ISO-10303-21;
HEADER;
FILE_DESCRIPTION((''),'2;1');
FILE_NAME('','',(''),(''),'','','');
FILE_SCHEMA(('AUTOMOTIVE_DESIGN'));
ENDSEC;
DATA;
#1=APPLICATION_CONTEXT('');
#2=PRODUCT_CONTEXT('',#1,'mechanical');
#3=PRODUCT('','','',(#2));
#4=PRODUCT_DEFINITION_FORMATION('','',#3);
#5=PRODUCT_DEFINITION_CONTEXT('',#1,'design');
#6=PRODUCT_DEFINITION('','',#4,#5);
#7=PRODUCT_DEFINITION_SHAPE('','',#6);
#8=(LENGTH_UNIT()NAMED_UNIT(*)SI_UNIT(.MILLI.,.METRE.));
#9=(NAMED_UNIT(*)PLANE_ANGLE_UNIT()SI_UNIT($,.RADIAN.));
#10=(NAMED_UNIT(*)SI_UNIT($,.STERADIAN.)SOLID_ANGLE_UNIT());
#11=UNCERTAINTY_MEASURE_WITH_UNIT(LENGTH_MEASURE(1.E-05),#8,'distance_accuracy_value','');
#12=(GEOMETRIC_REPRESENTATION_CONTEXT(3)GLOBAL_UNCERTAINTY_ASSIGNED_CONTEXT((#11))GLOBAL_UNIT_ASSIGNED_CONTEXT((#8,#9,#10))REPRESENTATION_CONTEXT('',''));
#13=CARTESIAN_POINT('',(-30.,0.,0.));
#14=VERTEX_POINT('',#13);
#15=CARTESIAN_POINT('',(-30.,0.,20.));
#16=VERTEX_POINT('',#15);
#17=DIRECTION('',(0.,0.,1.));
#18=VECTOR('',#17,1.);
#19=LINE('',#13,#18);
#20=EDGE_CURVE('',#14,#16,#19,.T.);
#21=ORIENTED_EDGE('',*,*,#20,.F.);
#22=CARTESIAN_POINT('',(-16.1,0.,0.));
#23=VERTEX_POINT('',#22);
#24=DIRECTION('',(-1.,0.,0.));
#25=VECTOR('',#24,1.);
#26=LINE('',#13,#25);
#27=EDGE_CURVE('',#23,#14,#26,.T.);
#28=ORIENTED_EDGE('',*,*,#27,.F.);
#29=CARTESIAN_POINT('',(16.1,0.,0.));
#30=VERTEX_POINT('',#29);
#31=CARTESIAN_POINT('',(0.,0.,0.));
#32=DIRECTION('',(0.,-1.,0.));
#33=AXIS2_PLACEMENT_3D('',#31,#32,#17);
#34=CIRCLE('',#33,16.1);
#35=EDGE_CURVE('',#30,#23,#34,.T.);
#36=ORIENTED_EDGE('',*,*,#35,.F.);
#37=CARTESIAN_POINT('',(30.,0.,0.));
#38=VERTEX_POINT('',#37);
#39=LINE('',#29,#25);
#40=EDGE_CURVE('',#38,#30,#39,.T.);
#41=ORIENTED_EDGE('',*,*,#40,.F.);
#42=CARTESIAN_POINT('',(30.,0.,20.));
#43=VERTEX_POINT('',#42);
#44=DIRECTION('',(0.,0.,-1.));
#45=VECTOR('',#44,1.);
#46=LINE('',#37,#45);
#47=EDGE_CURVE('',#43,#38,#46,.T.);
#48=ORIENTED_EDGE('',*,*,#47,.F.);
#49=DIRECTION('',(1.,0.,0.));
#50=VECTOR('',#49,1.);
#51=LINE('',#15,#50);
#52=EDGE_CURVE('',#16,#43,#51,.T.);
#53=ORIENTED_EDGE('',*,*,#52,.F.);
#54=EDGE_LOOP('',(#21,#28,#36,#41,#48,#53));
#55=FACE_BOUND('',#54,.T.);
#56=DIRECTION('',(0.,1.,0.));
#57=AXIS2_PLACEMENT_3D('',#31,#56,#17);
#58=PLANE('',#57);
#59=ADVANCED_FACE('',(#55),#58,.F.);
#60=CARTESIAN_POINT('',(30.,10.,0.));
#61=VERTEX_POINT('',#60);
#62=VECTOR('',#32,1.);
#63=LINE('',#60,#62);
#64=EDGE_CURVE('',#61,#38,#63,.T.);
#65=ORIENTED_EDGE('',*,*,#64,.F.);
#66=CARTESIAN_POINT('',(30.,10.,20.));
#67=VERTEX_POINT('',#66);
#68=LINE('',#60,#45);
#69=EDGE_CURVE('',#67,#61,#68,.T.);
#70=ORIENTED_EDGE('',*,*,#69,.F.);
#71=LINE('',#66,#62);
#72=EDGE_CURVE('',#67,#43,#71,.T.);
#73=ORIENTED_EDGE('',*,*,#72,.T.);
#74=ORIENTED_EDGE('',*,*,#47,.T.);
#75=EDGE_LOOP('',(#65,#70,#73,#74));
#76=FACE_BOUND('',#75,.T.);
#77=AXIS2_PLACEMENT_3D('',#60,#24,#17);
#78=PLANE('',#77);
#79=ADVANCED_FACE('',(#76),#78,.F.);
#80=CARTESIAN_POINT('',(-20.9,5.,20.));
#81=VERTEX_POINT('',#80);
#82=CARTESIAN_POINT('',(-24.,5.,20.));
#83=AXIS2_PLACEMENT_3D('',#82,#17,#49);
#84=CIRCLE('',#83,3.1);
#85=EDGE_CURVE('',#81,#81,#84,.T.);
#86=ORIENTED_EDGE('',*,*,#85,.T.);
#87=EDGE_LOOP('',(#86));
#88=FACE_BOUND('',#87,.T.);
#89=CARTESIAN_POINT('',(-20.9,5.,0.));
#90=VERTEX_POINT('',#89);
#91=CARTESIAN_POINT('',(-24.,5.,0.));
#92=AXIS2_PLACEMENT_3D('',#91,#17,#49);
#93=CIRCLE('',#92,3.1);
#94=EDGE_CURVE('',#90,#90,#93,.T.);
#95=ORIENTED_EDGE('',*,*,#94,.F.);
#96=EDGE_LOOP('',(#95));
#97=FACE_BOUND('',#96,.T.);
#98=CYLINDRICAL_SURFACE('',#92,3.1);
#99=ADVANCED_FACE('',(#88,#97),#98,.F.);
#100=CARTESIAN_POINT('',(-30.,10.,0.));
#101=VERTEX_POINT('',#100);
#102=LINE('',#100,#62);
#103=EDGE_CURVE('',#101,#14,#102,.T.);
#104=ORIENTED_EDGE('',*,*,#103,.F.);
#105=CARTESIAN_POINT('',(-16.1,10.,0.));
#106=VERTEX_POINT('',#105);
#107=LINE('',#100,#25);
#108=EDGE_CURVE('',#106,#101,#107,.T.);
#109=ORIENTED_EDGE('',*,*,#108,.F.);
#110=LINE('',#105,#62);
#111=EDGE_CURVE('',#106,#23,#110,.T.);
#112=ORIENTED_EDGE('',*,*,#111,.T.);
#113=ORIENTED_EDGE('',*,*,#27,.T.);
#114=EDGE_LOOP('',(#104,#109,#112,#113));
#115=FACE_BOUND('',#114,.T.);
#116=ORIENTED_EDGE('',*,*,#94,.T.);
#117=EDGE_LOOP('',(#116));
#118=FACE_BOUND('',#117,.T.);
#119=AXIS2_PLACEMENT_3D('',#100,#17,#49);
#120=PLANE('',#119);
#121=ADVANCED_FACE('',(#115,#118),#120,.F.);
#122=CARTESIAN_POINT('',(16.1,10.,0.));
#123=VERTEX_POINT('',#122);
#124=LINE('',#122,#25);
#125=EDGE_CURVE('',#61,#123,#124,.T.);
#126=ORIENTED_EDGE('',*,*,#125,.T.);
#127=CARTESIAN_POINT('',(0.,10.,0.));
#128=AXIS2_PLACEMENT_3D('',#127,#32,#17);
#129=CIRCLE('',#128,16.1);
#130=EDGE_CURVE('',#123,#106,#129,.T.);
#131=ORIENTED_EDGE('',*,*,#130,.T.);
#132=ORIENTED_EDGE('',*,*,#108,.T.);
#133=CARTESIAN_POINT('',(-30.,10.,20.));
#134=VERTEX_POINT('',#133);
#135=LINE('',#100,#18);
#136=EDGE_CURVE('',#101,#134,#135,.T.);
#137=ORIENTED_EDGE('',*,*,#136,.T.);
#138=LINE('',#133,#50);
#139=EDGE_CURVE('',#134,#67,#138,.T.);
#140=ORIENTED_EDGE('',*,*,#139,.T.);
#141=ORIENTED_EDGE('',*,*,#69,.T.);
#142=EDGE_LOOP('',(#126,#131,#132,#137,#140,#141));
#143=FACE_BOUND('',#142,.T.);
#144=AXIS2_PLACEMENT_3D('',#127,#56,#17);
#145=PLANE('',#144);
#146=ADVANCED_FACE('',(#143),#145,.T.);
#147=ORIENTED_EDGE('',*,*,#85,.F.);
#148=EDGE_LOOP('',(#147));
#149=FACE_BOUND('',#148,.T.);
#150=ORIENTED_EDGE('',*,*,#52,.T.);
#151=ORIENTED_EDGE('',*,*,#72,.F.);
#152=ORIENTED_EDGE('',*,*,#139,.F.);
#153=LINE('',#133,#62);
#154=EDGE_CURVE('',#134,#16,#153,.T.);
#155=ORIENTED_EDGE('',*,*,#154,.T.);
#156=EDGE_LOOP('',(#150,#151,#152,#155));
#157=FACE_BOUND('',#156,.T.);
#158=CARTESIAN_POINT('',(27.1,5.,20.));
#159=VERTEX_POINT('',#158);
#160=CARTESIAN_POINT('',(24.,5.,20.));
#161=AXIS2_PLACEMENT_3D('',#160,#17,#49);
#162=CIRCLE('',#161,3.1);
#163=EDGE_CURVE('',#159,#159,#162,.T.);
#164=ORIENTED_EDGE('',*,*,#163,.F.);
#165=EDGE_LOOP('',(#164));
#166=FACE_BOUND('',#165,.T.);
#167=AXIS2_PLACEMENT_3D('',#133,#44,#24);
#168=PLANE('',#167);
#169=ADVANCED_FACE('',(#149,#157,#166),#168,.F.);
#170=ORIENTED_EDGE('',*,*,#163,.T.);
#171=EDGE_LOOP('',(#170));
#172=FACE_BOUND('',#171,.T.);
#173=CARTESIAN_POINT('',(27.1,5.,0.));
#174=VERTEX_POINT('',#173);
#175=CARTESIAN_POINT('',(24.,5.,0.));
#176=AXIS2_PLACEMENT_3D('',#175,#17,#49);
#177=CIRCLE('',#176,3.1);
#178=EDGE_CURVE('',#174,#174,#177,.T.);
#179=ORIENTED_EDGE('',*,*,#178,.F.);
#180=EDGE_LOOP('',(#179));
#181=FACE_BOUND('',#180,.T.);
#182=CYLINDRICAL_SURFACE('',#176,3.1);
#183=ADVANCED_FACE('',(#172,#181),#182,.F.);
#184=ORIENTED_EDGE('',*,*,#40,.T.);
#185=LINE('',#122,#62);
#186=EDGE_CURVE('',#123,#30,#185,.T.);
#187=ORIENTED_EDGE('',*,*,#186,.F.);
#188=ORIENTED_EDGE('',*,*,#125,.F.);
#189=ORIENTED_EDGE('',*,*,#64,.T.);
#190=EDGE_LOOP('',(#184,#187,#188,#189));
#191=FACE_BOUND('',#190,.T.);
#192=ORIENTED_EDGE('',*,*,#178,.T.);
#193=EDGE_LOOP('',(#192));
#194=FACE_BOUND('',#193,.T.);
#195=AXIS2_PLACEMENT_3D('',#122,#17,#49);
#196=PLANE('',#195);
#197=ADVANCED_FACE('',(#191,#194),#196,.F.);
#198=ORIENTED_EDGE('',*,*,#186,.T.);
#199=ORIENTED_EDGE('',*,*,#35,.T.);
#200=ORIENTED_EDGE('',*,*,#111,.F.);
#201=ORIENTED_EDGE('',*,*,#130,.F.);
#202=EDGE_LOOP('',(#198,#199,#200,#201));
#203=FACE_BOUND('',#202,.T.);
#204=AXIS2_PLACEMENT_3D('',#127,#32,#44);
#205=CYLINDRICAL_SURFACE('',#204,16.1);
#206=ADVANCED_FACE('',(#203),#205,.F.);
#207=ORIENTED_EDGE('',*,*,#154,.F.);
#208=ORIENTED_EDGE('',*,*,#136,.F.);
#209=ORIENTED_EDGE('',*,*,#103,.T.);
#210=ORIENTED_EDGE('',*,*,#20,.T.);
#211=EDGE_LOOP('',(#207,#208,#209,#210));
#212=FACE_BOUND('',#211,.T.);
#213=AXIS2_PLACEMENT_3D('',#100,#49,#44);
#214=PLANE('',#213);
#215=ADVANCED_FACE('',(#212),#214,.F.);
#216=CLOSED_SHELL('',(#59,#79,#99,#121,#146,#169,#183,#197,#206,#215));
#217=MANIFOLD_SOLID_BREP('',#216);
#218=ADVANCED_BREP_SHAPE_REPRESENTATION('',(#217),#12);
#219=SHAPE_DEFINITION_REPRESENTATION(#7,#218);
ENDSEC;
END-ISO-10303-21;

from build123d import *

# Parameters (mm, degrees)
BOSS_EXTRUDE1_DEPTH = 10
SKETCH2_R           = 3.1
CUT_EXTRUDE1_DEPTH  = 38.416573868


with BuildPart() as part:
    # Sketch1 → Boss-Extrude1 (new body)
    with BuildSketch(Plane(origin=(0, 0, 0), x_dir=(1, 0, 0), z_dir=(0, 1, 0))):
        with BuildLine():
            Line((16.1, 0), (30, 0))
            Line((30, 0), (30, -20))
            Line((30, -20), (-30, -20))
            Line((-30, -20), (-30, 0))
            Line((-30, 0), (-16.1, 0))
            ThreePointArc((-16.1, 0), (0, -16.1), (16.1, 0))
        make_face()
    extrude(amount=BOSS_EXTRUDE1_DEPTH)

    # Sketch2 → Cut-Extrude1 (cut, through all)
    with BuildSketch(Plane.XY.offset(20)):
        with Locations((-24, 5)):
            Circle(SKETCH2_R)
        with Locations((24, 5)):
            Circle(SKETCH2_R)
    extrude(amount=-CUT_EXTRUDE1_DEPTH, mode=Mode.SUBTRACT)


solid = part.part
